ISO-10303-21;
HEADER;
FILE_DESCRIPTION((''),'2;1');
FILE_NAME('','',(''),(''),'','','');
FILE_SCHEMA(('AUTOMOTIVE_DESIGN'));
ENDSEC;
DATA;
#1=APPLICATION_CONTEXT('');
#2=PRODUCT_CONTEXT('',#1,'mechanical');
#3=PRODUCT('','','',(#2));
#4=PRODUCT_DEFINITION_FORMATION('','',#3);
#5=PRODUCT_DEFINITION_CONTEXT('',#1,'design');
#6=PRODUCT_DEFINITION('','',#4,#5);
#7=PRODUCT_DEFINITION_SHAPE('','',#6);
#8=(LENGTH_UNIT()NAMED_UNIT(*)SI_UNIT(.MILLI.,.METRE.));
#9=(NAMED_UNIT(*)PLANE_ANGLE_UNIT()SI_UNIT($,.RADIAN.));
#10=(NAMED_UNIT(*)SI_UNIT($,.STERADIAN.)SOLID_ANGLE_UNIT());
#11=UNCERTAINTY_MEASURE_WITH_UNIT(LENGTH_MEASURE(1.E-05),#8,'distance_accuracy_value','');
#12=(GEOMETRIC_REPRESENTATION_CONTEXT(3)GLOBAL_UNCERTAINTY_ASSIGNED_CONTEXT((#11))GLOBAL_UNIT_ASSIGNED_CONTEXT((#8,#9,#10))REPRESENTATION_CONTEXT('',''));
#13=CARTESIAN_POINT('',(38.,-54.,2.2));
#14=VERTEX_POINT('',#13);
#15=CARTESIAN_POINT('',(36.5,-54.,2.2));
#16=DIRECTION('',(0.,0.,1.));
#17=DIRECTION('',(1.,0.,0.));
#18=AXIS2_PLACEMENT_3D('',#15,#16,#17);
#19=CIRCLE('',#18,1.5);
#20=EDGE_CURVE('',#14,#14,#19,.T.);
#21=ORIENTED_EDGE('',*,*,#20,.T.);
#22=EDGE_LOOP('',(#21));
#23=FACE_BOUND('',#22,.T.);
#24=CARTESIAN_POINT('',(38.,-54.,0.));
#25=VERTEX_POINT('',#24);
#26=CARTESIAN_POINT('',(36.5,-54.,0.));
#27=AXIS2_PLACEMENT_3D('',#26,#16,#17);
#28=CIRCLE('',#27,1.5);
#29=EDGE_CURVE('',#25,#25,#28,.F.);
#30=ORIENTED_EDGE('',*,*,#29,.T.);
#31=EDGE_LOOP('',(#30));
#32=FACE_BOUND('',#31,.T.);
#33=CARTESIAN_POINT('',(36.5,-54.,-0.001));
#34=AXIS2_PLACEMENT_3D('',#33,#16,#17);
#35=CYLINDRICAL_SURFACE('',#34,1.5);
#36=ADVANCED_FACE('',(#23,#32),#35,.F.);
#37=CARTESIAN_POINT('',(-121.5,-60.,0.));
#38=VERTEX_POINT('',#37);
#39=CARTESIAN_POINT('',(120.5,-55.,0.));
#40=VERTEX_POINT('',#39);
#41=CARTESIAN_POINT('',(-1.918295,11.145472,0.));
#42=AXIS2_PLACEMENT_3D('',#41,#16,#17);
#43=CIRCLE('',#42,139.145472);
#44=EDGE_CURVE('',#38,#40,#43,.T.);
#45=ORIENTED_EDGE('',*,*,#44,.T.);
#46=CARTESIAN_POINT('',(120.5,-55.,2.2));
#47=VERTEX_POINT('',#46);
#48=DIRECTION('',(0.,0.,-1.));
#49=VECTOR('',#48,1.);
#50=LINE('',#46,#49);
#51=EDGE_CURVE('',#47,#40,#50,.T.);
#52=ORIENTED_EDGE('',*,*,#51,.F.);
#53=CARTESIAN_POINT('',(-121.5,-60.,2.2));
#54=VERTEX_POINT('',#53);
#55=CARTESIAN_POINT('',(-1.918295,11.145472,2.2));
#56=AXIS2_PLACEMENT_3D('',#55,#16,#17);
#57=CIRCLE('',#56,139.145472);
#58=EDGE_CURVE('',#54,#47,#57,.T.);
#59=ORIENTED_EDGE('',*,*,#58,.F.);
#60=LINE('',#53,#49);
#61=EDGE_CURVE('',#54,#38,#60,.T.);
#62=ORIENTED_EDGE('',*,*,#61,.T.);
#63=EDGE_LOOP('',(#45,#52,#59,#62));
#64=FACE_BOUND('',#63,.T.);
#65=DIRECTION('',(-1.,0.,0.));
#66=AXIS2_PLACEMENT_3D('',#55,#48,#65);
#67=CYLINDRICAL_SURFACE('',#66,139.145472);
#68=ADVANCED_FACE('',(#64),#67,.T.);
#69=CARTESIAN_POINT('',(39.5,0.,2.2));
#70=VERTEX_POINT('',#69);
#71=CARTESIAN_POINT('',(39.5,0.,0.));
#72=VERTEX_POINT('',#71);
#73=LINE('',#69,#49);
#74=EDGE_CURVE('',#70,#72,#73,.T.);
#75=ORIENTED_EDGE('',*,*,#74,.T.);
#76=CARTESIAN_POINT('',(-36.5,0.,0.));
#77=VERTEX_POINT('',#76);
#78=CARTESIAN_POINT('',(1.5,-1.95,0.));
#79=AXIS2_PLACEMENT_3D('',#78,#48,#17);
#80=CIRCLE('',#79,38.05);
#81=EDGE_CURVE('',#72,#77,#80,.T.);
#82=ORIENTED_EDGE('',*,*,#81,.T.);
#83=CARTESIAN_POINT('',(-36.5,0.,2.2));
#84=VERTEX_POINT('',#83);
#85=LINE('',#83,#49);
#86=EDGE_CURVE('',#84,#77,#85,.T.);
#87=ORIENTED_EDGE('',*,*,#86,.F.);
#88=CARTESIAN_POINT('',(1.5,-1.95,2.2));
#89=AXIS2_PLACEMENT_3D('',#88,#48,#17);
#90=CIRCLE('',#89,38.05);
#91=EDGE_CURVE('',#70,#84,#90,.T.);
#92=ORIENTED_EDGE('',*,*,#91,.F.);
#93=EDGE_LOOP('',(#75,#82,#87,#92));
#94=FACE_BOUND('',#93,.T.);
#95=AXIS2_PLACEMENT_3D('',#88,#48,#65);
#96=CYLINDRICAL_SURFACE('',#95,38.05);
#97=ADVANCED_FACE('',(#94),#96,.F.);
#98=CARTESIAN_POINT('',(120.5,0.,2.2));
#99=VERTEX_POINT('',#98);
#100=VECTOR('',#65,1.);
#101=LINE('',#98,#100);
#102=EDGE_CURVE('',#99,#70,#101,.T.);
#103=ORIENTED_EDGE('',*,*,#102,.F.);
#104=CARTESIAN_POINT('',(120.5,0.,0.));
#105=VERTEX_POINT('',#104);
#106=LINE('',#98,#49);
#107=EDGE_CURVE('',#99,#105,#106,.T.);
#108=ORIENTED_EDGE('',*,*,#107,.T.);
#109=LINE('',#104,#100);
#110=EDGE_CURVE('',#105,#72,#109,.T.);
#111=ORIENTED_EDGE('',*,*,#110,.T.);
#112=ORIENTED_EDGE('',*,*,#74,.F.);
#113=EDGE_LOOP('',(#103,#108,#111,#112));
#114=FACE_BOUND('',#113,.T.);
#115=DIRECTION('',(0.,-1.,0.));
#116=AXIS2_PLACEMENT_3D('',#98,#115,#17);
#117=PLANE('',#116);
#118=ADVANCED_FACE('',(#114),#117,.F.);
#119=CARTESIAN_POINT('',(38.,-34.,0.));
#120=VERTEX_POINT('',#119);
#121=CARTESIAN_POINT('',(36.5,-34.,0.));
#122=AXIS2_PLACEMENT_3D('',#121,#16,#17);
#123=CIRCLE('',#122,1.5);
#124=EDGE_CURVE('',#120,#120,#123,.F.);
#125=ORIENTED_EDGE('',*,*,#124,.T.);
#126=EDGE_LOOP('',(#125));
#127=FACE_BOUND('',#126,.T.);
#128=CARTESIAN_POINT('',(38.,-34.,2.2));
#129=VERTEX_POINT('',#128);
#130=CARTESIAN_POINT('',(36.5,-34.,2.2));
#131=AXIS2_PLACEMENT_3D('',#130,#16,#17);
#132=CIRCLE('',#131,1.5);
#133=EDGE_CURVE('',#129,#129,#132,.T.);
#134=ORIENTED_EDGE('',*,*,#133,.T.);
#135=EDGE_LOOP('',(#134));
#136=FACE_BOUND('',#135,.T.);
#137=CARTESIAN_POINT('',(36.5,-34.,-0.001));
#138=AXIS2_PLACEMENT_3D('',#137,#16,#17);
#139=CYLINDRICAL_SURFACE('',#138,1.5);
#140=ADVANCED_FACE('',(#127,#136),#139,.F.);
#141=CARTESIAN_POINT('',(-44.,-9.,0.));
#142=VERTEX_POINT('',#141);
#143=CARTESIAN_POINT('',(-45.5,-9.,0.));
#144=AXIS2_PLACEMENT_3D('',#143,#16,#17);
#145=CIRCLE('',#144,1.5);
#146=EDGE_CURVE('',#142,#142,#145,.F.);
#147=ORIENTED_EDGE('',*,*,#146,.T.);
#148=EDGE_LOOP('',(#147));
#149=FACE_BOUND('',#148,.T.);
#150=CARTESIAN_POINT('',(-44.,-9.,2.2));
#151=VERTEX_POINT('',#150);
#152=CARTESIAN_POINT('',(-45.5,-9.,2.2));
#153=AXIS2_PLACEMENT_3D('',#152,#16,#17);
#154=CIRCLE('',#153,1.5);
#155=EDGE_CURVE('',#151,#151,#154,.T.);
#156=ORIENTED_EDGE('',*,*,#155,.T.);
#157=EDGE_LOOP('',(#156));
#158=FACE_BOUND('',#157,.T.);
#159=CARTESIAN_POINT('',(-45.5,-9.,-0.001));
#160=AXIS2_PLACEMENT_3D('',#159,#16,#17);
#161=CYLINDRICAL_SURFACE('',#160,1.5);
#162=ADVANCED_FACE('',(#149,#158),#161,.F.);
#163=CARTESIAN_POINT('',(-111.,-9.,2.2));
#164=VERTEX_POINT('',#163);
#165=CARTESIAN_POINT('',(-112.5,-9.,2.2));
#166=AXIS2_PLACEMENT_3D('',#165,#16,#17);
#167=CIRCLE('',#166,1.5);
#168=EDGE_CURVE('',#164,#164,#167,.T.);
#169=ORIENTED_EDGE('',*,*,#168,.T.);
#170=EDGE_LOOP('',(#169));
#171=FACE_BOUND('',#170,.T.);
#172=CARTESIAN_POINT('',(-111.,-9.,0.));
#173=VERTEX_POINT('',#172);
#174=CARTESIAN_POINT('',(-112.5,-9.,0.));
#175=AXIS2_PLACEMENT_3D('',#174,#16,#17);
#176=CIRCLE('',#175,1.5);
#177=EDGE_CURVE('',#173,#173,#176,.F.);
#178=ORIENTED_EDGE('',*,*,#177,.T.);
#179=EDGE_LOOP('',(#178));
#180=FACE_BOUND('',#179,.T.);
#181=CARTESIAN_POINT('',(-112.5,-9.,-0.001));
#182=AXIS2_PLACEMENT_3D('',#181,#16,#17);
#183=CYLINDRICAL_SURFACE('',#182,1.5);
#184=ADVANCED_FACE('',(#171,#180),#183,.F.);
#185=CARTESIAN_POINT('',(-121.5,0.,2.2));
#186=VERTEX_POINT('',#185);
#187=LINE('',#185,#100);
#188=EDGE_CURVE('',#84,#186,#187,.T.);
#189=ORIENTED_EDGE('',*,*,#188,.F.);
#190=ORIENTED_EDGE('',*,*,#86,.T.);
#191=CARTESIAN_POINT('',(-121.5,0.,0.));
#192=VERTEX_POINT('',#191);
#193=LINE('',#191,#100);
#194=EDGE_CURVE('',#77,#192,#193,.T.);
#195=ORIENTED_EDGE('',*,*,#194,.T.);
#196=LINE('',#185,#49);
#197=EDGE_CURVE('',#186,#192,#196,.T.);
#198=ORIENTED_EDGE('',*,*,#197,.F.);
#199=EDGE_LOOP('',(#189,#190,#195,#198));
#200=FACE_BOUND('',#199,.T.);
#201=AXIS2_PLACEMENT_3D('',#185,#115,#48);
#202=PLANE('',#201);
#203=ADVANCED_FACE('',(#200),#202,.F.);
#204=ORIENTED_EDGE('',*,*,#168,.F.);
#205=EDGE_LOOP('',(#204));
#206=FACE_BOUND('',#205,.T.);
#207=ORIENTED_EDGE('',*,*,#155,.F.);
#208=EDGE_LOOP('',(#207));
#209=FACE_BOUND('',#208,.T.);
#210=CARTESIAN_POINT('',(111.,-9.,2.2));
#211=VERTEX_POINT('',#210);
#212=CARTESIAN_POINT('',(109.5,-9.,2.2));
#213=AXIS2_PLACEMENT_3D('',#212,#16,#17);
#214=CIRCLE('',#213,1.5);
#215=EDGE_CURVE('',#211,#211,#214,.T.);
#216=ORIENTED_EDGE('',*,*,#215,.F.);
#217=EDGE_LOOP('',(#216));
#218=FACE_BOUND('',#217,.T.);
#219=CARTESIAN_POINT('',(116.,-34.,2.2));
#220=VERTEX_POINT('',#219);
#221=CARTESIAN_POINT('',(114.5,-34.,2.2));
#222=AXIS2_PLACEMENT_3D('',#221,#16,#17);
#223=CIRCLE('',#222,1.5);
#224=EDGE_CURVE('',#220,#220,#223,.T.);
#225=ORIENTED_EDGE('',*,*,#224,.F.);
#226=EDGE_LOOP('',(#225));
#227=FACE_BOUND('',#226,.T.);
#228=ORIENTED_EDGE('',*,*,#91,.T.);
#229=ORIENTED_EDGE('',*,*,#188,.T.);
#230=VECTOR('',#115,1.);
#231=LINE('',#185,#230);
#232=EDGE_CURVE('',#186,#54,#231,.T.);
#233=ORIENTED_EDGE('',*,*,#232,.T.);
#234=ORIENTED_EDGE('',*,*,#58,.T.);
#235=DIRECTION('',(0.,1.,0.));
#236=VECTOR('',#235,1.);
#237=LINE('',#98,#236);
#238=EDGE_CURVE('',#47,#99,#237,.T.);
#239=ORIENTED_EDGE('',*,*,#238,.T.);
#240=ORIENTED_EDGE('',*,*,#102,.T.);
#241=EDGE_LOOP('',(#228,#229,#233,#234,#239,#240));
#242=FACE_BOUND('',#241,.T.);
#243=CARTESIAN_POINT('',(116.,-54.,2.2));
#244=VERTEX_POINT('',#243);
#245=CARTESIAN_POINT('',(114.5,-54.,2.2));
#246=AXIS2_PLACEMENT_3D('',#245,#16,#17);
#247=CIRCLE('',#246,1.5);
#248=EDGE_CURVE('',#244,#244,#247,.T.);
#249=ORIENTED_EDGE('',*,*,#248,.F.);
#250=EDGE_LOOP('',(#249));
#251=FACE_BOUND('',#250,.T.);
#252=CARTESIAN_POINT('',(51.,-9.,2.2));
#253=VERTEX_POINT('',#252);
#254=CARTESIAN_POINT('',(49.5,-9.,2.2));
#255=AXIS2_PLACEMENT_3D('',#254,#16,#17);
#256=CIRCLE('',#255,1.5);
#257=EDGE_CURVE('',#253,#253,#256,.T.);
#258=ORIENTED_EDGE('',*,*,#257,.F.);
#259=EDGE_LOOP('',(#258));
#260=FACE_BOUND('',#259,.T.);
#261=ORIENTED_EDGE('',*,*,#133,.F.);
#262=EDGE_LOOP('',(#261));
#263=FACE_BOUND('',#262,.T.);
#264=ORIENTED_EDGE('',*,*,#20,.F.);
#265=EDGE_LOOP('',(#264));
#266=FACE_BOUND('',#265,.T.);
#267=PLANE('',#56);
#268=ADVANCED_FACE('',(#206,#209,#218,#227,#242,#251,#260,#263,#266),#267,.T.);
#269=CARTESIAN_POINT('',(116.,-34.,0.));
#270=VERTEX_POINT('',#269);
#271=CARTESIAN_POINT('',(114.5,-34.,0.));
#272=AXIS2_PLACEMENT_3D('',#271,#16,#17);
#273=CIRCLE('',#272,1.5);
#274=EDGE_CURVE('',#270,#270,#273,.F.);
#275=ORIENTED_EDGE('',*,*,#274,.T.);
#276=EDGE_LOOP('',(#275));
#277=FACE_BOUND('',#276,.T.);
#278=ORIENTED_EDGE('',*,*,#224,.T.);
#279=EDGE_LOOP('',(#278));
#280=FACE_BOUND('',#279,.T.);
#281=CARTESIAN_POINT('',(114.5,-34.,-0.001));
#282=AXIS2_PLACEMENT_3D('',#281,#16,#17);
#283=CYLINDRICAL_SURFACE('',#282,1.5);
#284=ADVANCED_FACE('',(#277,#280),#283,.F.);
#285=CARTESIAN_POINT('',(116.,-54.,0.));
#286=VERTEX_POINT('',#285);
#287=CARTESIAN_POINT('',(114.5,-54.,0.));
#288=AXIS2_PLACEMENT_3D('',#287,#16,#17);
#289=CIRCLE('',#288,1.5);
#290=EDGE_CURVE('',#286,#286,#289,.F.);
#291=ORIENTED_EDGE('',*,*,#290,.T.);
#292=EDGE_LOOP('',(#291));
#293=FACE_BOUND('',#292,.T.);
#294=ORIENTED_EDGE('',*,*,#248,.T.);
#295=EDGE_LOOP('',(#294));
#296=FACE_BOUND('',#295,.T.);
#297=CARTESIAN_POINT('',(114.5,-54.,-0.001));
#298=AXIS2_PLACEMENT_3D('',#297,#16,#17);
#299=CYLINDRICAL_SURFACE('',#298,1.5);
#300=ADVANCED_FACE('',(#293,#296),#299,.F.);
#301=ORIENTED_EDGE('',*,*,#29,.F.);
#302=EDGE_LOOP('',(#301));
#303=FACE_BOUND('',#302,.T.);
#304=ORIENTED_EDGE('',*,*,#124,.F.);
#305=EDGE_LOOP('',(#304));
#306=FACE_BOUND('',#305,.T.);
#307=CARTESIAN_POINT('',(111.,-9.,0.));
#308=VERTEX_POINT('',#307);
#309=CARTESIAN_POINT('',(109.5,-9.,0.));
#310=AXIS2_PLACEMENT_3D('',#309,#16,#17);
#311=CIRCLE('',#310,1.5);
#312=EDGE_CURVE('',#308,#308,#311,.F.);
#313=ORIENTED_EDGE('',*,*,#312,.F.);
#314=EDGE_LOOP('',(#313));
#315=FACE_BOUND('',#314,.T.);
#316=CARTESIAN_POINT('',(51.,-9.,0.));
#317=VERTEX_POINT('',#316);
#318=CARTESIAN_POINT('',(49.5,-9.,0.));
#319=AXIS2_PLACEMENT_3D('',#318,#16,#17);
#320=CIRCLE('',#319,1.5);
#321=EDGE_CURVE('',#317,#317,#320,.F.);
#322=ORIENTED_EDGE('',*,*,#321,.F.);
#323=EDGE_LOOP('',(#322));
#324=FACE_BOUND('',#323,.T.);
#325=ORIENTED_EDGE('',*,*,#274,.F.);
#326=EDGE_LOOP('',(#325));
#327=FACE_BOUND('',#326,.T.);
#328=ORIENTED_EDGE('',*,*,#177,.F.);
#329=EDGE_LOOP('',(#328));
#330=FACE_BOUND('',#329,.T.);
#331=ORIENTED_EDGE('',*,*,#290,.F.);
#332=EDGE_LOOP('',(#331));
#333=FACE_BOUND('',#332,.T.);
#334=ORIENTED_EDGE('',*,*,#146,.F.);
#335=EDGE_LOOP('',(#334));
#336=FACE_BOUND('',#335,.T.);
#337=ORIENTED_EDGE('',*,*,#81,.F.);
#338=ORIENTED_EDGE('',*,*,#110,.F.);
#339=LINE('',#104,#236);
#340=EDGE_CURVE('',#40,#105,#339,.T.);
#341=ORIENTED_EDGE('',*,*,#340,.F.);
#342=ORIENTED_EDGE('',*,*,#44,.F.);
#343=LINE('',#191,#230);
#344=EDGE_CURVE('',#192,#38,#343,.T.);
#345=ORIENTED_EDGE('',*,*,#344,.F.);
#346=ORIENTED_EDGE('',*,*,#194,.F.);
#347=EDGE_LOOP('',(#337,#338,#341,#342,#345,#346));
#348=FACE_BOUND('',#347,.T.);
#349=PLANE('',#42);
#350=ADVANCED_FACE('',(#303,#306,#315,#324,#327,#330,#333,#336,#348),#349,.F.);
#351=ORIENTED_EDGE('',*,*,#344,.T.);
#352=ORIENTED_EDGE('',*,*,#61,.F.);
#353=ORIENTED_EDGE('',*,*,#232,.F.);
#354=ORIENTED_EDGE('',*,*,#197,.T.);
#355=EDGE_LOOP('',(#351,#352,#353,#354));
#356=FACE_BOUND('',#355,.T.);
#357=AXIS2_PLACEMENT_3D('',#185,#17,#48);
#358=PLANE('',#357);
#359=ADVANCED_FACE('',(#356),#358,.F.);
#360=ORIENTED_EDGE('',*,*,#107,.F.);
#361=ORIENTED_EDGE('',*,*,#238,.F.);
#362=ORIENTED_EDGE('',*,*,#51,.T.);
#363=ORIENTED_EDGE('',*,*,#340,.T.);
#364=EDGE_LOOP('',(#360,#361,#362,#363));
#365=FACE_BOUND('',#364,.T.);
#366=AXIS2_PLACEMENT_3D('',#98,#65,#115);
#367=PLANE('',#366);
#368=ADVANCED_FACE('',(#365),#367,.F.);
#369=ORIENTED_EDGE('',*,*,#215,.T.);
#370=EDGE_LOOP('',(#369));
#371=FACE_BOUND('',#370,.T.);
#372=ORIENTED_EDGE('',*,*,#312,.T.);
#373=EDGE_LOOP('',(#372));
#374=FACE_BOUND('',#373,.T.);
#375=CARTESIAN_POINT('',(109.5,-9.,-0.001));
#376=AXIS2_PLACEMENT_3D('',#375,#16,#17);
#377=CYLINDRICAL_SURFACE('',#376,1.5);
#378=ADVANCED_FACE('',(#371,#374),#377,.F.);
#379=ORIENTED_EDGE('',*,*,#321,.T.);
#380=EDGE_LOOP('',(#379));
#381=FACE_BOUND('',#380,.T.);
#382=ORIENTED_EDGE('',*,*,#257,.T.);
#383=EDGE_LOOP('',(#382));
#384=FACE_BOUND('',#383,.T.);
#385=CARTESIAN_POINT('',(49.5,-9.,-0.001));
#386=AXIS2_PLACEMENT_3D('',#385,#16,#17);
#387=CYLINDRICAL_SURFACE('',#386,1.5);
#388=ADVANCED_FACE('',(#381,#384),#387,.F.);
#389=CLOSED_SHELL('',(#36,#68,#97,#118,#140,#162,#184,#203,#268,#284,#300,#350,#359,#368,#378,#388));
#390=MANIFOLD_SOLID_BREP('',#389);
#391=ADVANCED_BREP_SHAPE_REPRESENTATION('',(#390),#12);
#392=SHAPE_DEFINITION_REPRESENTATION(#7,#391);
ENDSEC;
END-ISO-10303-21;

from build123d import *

# Parameters (mm, degrees)
BOSS_EXTRUDE1_DEPTH = 2.2
CUT_EXTRUDE1_REACH  = 178.497
SKETCH4_R           = 1.5
CUT_EXTRUDE2_REACH  = 178.497
SKETCH5_R           = 1.5


with BuildPart() as part:
    # Sketch2 → Boss-Extrude1 (new body)
    with BuildSketch(Plane.XY):
        with BuildLine():
            Line((-121.5, 0), (-36.5, 0))
            ThreePointArc((-36.5, 0), (1.5, -40), (39.5, 0))
            Line((39.5, 0), (120.5, 0))
            Line((120.5, 0), (120.5, -55))
            ThreePointArc((120.5, -55), (0.955998142, -127.970310059), (-121.5, -60))
            Line((-121.5, -60), (-121.5, 0))
        make_face()
    extrude(amount=BOSS_EXTRUDE1_DEPTH)

    # Sketch4 → Cut-Extrude1 (cut, up to next)
    with BuildSketch(Plane.XY.offset(2.2), mode=Mode.PRIVATE) as cut_extrude1_sk1:
        with Locations((109.5, -9)):
            Circle(SKETCH4_R)
    cut_extrude1_tool1 = extrude(cut_extrude1_sk1.sketch, amount=-CUT_EXTRUDE1_REACH, mode=Mode.PRIVATE) & part.part
    # Sketch4 → Cut-Extrude1 (cut, up to next)
    with BuildSketch(Plane.XY.offset(2.2), mode=Mode.PRIVATE) as cut_extrude1_sk2:
        with Locations((49.5, -9)):
            Circle(SKETCH4_R)
    cut_extrude1_tool2 = extrude(cut_extrude1_sk2.sketch, amount=-CUT_EXTRUDE1_REACH, mode=Mode.PRIVATE) & part.part
    # Sketch4 → Cut-Extrude1 (cut, up to next)
    with BuildSketch(Plane.XY.offset(2.2), mode=Mode.PRIVATE) as cut_extrude1_sk3:
        with Locations((-45.5, -9)):
            Circle(SKETCH4_R)
    cut_extrude1_tool3 = extrude(cut_extrude1_sk3.sketch, amount=-CUT_EXTRUDE1_REACH, mode=Mode.PRIVATE) & part.part
    # Sketch4 → Cut-Extrude1 (cut, up to next)
    with BuildSketch(Plane.XY.offset(2.2), mode=Mode.PRIVATE) as cut_extrude1_sk4:
        with Locations((-112.5, -9)):
            Circle(SKETCH4_R)
    cut_extrude1_tool4 = extrude(cut_extrude1_sk4.sketch, amount=-CUT_EXTRUDE1_REACH, mode=Mode.PRIVATE) & part.part
    add(cut_extrude1_tool1.solids().sort_by_distance((109.5, -9, 2.2))[0], mode=Mode.SUBTRACT)
    add(cut_extrude1_tool2.solids().sort_by_distance((49.5, -9, 2.2))[0], mode=Mode.SUBTRACT)
    add(cut_extrude1_tool3.solids().sort_by_distance((-45.5, -9, 2.2))[0], mode=Mode.SUBTRACT)
    add(cut_extrude1_tool4.solids().sort_by_distance((-112.5, -9, 2.2))[0], mode=Mode.SUBTRACT)

    # Sketch5 → Cut-Extrude2 (cut, up to next)
    with BuildSketch(Plane.XY.offset(2.2), mode=Mode.PRIVATE) as cut_extrude2_sk1:
        with Locations((114.5, -34)):
            Circle(SKETCH5_R)
    cut_extrude2_tool1 = extrude(cut_extrude2_sk1.sketch, amount=-CUT_EXTRUDE2_REACH, mode=Mode.PRIVATE) & part.part
    # Sketch5 → Cut-Extrude2 (cut, up to next)
    with BuildSketch(Plane.XY.offset(2.2), mode=Mode.PRIVATE) as cut_extrude2_sk2:
        with Locations((114.5, -54)):
            Circle(SKETCH5_R)
    cut_extrude2_tool2 = extrude(cut_extrude2_sk2.sketch, amount=-CUT_EXTRUDE2_REACH, mode=Mode.PRIVATE) & part.part
    # Sketch5 → Cut-Extrude2 (cut, up to next)
    with BuildSketch(Plane.XY.offset(2.2), mode=Mode.PRIVATE) as cut_extrude2_sk3:
        with Locations((36.5, -34)):
            Circle(SKETCH5_R)
    cut_extrude2_tool3 = extrude(cut_extrude2_sk3.sketch, amount=-CUT_EXTRUDE2_REACH, mode=Mode.PRIVATE) & part.part
    # Sketch5 → Cut-Extrude2 (cut, up to next)
    with BuildSketch(Plane.XY.offset(2.2), mode=Mode.PRIVATE) as cut_extrude2_sk4:
        with Locations((36.5, -54)):
            Circle(SKETCH5_R)
    cut_extrude2_tool4 = extrude(cut_extrude2_sk4.sketch, amount=-CUT_EXTRUDE2_REACH, mode=Mode.PRIVATE) & part.part
    add(cut_extrude2_tool1.solids().sort_by_distance((114.5, -34, 2.2))[0], mode=Mode.SUBTRACT)
    add(cut_extrude2_tool2.solids().sort_by_distance((114.5, -54, 2.2))[0], mode=Mode.SUBTRACT)
    add(cut_extrude2_tool3.solids().sort_by_distance((36.5, -34, 2.2))[0], mode=Mode.SUBTRACT)
    add(cut_extrude2_tool4.solids().sort_by_distance((36.5, -54, 2.2))[0], mode=Mode.SUBTRACT)


solid = part.part
